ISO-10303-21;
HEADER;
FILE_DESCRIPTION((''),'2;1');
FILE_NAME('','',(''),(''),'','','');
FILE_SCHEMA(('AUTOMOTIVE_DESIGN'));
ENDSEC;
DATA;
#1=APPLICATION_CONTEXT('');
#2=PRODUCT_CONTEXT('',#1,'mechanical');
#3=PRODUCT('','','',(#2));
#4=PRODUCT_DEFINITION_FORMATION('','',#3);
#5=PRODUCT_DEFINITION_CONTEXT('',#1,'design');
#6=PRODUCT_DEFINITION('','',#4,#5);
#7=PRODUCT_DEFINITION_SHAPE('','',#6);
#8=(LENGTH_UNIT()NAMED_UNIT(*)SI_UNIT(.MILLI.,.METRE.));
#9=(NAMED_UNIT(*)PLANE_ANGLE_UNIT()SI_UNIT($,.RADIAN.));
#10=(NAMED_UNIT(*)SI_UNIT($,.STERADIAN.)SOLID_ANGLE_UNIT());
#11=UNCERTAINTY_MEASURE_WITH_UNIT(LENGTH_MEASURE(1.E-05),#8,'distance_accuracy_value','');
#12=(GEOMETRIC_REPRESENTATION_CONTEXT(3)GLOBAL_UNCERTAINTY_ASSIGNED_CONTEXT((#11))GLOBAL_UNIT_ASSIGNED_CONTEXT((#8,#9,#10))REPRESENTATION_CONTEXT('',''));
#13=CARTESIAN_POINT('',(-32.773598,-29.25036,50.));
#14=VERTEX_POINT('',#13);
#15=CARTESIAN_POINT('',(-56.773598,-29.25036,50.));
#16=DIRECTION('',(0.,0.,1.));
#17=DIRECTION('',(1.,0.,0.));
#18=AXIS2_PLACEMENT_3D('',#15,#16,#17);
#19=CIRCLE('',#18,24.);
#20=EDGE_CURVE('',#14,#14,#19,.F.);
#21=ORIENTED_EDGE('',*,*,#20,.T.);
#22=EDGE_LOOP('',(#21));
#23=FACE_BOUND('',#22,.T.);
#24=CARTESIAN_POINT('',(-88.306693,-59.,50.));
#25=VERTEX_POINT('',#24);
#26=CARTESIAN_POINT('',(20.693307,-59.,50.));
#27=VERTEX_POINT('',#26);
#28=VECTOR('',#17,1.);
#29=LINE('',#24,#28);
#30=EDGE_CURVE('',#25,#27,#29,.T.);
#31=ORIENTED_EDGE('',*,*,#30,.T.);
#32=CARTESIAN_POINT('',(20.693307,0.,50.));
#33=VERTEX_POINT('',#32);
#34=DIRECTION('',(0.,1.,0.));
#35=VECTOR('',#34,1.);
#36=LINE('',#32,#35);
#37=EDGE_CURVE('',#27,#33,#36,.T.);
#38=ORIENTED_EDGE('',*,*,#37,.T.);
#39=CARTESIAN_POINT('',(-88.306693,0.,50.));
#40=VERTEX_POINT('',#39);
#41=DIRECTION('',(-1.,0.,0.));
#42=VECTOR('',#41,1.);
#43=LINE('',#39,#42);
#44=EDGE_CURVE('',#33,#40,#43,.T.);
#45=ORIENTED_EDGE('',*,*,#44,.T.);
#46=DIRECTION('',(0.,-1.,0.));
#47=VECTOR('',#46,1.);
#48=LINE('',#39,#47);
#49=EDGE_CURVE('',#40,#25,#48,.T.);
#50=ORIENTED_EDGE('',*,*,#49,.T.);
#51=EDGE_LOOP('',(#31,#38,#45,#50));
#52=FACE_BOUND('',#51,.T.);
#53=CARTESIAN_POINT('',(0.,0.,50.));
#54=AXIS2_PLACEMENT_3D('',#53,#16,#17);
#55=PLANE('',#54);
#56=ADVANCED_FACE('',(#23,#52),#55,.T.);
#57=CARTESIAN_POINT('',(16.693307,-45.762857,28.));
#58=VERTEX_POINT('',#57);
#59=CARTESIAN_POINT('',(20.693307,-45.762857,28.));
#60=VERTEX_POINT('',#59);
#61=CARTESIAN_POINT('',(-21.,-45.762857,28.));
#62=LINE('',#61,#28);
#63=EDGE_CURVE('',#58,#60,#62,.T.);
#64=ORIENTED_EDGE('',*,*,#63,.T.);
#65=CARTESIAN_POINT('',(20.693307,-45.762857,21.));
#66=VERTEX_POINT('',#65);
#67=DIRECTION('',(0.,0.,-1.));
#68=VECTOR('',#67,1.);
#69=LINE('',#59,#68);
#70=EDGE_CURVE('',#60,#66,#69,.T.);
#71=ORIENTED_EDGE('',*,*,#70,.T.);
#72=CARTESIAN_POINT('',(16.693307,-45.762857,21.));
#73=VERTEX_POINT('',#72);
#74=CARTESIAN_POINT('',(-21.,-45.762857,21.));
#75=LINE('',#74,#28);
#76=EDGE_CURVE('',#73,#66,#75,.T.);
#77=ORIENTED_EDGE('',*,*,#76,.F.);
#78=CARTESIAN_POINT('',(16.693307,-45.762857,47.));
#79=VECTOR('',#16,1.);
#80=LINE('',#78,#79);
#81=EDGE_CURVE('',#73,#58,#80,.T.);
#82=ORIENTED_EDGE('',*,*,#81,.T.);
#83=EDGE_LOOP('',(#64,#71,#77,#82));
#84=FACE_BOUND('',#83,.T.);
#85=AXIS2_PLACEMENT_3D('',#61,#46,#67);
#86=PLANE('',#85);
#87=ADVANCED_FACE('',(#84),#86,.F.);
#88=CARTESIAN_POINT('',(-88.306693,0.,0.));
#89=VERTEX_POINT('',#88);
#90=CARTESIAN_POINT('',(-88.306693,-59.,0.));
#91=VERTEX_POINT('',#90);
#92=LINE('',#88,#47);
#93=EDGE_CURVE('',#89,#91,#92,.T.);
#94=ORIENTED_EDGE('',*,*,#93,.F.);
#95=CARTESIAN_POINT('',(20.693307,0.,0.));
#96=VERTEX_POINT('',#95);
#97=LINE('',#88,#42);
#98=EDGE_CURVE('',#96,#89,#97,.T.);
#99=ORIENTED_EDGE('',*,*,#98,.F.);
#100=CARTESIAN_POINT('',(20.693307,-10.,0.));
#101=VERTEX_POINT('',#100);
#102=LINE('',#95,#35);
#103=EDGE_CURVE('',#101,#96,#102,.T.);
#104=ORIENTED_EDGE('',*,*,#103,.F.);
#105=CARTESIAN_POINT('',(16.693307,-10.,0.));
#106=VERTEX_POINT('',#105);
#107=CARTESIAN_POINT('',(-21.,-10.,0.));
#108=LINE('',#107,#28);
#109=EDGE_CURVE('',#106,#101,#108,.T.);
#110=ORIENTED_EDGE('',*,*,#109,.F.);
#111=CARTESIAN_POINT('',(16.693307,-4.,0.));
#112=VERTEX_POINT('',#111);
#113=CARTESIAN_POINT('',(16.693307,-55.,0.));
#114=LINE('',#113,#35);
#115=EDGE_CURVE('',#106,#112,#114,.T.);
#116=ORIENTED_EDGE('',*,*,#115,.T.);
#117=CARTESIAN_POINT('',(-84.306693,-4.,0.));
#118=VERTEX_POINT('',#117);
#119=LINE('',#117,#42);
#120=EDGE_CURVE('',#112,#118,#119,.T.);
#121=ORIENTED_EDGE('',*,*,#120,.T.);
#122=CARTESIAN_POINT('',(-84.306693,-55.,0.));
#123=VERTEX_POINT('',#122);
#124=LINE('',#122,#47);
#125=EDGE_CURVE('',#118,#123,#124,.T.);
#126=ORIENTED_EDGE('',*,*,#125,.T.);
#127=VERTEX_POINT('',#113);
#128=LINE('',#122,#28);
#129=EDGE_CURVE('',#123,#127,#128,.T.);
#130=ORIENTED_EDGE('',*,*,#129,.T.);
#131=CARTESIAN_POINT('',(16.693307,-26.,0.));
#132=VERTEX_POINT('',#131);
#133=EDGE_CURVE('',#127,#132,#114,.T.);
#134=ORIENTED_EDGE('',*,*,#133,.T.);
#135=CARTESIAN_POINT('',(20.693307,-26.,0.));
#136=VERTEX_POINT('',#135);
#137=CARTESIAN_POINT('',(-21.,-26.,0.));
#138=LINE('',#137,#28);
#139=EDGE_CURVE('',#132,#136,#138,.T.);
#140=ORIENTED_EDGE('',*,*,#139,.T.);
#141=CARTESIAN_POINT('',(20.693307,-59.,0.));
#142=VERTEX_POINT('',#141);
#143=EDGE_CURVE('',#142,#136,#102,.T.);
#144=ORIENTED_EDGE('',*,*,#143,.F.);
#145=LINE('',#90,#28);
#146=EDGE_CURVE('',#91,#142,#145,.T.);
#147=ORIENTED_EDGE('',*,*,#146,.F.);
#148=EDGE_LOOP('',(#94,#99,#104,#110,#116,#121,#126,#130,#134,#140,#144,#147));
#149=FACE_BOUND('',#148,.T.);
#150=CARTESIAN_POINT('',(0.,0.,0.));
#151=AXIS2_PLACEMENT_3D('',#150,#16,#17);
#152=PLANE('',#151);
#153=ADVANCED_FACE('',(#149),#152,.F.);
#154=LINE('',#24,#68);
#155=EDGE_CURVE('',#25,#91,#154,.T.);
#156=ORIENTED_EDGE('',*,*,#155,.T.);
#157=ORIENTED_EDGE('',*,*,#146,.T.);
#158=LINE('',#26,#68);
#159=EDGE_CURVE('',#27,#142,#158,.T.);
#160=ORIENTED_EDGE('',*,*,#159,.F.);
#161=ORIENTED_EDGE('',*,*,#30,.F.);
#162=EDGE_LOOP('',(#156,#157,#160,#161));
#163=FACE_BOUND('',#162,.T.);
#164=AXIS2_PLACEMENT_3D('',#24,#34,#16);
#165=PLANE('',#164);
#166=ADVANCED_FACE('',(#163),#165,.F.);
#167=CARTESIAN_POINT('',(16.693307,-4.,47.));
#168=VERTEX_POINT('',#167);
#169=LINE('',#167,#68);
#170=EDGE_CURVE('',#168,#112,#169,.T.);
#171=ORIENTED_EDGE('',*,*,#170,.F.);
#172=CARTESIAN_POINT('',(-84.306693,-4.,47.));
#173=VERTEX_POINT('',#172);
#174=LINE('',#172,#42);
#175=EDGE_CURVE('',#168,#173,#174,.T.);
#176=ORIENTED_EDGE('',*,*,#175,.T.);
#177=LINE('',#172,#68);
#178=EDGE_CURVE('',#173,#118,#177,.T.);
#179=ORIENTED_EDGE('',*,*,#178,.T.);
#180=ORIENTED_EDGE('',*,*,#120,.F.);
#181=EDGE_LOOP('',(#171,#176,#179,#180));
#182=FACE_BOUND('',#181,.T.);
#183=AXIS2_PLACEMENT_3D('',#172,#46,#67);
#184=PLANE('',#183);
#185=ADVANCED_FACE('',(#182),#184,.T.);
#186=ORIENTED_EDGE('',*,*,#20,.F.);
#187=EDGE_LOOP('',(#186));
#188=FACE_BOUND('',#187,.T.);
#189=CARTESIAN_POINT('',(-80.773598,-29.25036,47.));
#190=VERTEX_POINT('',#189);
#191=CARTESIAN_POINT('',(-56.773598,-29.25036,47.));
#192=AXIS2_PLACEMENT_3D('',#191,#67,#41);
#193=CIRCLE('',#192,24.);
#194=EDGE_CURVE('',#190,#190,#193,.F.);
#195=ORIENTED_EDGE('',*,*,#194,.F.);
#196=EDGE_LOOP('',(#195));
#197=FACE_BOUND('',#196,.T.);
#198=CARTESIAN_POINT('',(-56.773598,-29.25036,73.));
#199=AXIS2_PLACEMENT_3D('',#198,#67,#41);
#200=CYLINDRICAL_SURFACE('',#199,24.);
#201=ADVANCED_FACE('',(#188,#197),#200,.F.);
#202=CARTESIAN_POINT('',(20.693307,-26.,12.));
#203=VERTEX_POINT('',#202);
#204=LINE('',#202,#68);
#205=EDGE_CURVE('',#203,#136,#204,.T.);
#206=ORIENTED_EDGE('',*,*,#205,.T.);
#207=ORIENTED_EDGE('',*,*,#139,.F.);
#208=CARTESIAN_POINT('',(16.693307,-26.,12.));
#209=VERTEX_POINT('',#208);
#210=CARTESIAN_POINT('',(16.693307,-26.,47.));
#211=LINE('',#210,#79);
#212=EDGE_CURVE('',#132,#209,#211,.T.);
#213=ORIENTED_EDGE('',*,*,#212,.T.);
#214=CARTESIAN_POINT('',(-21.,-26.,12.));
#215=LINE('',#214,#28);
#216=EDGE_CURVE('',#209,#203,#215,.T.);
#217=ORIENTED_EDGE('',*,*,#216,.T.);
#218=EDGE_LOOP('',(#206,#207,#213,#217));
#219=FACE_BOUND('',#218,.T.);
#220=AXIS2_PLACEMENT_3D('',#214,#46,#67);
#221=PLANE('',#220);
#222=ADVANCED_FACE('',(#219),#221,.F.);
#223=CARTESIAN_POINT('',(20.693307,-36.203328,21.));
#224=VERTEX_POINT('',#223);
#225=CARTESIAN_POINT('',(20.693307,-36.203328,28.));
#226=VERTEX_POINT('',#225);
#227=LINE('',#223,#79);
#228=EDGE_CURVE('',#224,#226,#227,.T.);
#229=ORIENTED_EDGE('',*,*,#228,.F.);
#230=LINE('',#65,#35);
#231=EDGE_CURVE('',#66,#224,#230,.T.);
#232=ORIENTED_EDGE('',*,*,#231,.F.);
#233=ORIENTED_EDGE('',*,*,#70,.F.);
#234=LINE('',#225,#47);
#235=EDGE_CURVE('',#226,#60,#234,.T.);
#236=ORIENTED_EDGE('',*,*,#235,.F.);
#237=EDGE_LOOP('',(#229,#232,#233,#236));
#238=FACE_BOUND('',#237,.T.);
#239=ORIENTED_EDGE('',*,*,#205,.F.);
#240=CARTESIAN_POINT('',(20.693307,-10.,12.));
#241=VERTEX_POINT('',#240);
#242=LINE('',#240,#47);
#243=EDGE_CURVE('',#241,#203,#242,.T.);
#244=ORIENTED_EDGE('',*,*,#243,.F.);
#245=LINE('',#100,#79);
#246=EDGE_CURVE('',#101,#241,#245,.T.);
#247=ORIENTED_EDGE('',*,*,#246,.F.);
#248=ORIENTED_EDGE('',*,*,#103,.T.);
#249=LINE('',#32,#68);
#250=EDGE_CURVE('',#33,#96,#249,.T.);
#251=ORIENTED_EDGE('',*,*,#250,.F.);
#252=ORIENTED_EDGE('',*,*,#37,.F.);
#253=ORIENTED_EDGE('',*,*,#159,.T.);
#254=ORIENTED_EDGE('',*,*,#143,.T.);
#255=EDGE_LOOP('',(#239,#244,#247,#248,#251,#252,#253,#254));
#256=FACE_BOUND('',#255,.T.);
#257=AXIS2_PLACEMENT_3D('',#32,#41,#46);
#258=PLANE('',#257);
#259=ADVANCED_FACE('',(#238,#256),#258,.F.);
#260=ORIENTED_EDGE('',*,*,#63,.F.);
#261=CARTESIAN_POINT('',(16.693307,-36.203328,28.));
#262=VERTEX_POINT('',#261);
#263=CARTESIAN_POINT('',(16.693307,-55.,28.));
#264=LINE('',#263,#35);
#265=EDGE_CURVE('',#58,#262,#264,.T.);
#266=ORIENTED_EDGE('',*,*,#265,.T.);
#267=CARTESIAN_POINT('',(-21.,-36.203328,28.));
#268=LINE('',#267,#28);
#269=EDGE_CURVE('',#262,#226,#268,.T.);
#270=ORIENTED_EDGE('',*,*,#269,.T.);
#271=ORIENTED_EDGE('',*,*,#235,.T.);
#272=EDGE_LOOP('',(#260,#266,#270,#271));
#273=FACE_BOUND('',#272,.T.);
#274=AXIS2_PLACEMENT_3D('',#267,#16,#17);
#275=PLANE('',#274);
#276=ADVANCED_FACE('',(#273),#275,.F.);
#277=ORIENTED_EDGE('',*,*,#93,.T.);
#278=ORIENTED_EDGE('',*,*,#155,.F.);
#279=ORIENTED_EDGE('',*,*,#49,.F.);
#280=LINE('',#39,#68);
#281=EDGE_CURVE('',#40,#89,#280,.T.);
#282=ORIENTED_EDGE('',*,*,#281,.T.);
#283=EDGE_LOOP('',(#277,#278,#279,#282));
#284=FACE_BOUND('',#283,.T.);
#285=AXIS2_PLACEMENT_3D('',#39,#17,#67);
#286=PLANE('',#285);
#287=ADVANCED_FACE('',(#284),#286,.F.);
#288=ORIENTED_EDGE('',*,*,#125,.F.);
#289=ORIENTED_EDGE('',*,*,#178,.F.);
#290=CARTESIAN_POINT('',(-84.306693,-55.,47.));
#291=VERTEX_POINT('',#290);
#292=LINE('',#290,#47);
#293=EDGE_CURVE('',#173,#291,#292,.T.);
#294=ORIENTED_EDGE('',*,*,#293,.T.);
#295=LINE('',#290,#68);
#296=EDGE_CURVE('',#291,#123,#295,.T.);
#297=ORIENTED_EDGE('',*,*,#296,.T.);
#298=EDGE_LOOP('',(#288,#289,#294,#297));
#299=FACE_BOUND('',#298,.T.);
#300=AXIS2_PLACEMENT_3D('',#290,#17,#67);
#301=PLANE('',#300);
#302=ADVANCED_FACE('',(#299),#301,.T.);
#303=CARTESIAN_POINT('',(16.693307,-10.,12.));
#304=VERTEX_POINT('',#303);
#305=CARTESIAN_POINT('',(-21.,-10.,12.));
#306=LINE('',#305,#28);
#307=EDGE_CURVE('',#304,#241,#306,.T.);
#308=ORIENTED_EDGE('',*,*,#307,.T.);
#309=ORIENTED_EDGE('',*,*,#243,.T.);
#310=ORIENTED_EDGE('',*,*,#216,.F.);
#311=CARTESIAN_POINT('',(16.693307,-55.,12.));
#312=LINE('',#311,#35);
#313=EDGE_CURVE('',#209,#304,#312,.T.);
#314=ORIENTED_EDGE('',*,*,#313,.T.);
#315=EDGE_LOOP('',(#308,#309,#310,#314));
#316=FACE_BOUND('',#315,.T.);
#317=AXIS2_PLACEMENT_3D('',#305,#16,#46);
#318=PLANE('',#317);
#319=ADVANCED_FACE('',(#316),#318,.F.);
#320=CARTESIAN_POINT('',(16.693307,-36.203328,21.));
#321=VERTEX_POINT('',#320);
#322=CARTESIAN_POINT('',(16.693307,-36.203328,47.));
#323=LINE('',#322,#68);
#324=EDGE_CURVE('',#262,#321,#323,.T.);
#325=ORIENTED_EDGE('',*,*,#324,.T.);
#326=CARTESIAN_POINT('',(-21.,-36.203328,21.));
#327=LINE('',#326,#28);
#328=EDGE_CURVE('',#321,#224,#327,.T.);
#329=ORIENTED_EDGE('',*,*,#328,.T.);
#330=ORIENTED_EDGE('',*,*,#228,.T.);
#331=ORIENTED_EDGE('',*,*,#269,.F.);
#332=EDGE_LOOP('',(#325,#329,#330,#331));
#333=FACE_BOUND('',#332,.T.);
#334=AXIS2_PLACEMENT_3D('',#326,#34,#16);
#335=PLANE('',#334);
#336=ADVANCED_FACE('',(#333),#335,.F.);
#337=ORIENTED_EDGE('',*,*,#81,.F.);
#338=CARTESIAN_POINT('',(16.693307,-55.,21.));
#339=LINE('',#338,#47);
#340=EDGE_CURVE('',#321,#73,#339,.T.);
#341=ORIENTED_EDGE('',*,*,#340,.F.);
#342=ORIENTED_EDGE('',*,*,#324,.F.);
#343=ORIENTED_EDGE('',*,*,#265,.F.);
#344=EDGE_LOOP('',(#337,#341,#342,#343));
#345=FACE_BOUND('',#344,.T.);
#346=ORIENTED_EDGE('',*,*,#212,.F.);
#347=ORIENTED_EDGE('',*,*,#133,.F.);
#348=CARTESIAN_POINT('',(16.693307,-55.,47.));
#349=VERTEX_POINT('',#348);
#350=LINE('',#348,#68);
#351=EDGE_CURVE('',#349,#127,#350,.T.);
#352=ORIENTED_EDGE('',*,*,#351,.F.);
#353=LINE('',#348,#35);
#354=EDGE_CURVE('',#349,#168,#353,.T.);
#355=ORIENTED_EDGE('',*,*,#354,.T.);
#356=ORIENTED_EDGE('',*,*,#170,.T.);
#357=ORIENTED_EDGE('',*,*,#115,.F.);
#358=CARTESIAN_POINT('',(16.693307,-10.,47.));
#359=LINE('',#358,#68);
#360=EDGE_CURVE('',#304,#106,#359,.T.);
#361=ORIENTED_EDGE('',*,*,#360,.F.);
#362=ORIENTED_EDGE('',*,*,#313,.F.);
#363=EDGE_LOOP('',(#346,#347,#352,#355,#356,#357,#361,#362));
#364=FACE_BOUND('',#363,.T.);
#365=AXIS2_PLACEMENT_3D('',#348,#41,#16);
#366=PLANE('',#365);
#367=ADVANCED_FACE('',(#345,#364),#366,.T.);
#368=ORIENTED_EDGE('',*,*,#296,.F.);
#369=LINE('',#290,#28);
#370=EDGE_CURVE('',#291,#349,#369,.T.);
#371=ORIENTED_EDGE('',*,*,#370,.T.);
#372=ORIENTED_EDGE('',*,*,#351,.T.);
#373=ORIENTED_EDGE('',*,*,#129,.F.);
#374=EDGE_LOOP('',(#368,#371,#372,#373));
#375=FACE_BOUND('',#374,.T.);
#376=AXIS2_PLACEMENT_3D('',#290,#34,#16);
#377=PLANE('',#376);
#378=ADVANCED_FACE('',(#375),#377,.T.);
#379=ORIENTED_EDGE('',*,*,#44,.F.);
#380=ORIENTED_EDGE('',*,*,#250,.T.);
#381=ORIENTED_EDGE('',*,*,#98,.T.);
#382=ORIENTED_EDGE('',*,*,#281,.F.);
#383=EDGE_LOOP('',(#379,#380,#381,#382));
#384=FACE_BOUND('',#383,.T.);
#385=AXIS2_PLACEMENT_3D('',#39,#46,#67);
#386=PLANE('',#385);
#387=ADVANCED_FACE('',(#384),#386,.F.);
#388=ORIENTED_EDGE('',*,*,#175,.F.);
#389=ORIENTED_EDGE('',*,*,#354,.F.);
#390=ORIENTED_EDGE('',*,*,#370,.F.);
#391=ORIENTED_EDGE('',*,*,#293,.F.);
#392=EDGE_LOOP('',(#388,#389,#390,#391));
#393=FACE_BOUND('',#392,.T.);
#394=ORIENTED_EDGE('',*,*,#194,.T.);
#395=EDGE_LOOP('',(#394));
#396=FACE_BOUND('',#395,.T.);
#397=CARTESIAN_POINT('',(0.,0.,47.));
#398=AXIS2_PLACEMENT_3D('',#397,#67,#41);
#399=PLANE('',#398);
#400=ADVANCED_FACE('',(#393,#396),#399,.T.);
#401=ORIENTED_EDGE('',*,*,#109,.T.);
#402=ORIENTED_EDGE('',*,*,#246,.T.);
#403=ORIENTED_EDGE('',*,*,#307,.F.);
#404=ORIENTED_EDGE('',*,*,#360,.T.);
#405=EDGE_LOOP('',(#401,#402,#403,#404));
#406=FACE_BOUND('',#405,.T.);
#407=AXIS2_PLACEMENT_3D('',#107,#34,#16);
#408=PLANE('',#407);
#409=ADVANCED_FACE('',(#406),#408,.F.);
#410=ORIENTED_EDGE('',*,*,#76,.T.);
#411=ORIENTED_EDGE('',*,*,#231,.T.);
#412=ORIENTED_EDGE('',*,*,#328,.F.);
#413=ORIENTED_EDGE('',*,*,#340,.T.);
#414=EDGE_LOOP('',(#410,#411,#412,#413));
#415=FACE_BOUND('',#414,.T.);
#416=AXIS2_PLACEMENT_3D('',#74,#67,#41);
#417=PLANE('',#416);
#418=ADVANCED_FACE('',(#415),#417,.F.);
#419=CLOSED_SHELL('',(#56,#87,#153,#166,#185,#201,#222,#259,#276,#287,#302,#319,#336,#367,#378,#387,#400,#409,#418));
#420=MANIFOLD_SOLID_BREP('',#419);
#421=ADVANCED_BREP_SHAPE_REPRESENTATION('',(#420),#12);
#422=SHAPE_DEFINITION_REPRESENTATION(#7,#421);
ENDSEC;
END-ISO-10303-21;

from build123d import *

# Parameters (mm, degrees)
ESQUISSE1_W                  = 109
ESQUISSE1_H                  = 59
BOSS_EXTRU_1_DEPTH           = 50
ESQUISSE2_W                  = 101
ESQUISSE2_H                  = 51
ENL_V_MAT_EXTRU_1_DEPTH      = 47
ENL_V_MAT_EXTRU_2_DEPTH      = 118.384292451
ENL_V_MAT_EXTRU_2_DEPTH_BACK = 21
ESQUISSE3_W                  = 7
ESQUISSE3_H                  = 9.559529104
ESQUISSE3_W_2                = 12
ESQUISSE3_H_2                = 16
ESQUISSE4_R                  = 24
ENL_V_MAT_EXTRU_3_DEPTH      = 73


with BuildPart() as part:
    # Esquisse1 → Boss.-Extru.1 (new body)
    with BuildSketch(Plane.XY):
        with Locations((-33.806693485, -29.5)):
            Rectangle(ESQUISSE1_W, ESQUISSE1_H)
    extrude(amount=BOSS_EXTRU_1_DEPTH)

    # Esquisse2 → Enlèv. mat.-Extru.1 (cut)
    with BuildSketch(Plane.XY):
        with Locations((-33.806693485, -29.5)):
            Rectangle(ESQUISSE2_W, ESQUISSE2_H)
    extrude(amount=ENL_V_MAT_EXTRU_1_DEPTH, mode=Mode.SUBTRACT)

    # Esquisse3 → Enlèv. mat.-Extru.2 (cut, two sides: drawn at the far end of the back side and taken through both)
    with BuildSketch(Plane(origin=(0, 0, 0), x_dir=(0, 0, -1), z_dir=(1, 0, 0)).offset(-ENL_V_MAT_EXTRU_2_DEPTH_BACK)):
        with Locations((-24.5, -40.983092888)):
            Rectangle(ESQUISSE3_W, ESQUISSE3_H)
        with Locations((-6, -18)):
            Rectangle(ESQUISSE3_W_2, ESQUISSE3_H_2)
    extrude(amount=ENL_V_MAT_EXTRU_2_DEPTH + ENL_V_MAT_EXTRU_2_DEPTH_BACK, mode=Mode.SUBTRACT)

    # Esquisse4 → Enlèv. mat.-Extru.3 (cut)
    with BuildSketch(Plane.XY):
        with Locations(Location((-56.773597779, -29.250359736, 0), (0, 0, 180))):
            Circle(ESQUISSE4_R)
    extrude(amount=ENL_V_MAT_EXTRU_3_DEPTH, mode=Mode.SUBTRACT)


solid = part.part
